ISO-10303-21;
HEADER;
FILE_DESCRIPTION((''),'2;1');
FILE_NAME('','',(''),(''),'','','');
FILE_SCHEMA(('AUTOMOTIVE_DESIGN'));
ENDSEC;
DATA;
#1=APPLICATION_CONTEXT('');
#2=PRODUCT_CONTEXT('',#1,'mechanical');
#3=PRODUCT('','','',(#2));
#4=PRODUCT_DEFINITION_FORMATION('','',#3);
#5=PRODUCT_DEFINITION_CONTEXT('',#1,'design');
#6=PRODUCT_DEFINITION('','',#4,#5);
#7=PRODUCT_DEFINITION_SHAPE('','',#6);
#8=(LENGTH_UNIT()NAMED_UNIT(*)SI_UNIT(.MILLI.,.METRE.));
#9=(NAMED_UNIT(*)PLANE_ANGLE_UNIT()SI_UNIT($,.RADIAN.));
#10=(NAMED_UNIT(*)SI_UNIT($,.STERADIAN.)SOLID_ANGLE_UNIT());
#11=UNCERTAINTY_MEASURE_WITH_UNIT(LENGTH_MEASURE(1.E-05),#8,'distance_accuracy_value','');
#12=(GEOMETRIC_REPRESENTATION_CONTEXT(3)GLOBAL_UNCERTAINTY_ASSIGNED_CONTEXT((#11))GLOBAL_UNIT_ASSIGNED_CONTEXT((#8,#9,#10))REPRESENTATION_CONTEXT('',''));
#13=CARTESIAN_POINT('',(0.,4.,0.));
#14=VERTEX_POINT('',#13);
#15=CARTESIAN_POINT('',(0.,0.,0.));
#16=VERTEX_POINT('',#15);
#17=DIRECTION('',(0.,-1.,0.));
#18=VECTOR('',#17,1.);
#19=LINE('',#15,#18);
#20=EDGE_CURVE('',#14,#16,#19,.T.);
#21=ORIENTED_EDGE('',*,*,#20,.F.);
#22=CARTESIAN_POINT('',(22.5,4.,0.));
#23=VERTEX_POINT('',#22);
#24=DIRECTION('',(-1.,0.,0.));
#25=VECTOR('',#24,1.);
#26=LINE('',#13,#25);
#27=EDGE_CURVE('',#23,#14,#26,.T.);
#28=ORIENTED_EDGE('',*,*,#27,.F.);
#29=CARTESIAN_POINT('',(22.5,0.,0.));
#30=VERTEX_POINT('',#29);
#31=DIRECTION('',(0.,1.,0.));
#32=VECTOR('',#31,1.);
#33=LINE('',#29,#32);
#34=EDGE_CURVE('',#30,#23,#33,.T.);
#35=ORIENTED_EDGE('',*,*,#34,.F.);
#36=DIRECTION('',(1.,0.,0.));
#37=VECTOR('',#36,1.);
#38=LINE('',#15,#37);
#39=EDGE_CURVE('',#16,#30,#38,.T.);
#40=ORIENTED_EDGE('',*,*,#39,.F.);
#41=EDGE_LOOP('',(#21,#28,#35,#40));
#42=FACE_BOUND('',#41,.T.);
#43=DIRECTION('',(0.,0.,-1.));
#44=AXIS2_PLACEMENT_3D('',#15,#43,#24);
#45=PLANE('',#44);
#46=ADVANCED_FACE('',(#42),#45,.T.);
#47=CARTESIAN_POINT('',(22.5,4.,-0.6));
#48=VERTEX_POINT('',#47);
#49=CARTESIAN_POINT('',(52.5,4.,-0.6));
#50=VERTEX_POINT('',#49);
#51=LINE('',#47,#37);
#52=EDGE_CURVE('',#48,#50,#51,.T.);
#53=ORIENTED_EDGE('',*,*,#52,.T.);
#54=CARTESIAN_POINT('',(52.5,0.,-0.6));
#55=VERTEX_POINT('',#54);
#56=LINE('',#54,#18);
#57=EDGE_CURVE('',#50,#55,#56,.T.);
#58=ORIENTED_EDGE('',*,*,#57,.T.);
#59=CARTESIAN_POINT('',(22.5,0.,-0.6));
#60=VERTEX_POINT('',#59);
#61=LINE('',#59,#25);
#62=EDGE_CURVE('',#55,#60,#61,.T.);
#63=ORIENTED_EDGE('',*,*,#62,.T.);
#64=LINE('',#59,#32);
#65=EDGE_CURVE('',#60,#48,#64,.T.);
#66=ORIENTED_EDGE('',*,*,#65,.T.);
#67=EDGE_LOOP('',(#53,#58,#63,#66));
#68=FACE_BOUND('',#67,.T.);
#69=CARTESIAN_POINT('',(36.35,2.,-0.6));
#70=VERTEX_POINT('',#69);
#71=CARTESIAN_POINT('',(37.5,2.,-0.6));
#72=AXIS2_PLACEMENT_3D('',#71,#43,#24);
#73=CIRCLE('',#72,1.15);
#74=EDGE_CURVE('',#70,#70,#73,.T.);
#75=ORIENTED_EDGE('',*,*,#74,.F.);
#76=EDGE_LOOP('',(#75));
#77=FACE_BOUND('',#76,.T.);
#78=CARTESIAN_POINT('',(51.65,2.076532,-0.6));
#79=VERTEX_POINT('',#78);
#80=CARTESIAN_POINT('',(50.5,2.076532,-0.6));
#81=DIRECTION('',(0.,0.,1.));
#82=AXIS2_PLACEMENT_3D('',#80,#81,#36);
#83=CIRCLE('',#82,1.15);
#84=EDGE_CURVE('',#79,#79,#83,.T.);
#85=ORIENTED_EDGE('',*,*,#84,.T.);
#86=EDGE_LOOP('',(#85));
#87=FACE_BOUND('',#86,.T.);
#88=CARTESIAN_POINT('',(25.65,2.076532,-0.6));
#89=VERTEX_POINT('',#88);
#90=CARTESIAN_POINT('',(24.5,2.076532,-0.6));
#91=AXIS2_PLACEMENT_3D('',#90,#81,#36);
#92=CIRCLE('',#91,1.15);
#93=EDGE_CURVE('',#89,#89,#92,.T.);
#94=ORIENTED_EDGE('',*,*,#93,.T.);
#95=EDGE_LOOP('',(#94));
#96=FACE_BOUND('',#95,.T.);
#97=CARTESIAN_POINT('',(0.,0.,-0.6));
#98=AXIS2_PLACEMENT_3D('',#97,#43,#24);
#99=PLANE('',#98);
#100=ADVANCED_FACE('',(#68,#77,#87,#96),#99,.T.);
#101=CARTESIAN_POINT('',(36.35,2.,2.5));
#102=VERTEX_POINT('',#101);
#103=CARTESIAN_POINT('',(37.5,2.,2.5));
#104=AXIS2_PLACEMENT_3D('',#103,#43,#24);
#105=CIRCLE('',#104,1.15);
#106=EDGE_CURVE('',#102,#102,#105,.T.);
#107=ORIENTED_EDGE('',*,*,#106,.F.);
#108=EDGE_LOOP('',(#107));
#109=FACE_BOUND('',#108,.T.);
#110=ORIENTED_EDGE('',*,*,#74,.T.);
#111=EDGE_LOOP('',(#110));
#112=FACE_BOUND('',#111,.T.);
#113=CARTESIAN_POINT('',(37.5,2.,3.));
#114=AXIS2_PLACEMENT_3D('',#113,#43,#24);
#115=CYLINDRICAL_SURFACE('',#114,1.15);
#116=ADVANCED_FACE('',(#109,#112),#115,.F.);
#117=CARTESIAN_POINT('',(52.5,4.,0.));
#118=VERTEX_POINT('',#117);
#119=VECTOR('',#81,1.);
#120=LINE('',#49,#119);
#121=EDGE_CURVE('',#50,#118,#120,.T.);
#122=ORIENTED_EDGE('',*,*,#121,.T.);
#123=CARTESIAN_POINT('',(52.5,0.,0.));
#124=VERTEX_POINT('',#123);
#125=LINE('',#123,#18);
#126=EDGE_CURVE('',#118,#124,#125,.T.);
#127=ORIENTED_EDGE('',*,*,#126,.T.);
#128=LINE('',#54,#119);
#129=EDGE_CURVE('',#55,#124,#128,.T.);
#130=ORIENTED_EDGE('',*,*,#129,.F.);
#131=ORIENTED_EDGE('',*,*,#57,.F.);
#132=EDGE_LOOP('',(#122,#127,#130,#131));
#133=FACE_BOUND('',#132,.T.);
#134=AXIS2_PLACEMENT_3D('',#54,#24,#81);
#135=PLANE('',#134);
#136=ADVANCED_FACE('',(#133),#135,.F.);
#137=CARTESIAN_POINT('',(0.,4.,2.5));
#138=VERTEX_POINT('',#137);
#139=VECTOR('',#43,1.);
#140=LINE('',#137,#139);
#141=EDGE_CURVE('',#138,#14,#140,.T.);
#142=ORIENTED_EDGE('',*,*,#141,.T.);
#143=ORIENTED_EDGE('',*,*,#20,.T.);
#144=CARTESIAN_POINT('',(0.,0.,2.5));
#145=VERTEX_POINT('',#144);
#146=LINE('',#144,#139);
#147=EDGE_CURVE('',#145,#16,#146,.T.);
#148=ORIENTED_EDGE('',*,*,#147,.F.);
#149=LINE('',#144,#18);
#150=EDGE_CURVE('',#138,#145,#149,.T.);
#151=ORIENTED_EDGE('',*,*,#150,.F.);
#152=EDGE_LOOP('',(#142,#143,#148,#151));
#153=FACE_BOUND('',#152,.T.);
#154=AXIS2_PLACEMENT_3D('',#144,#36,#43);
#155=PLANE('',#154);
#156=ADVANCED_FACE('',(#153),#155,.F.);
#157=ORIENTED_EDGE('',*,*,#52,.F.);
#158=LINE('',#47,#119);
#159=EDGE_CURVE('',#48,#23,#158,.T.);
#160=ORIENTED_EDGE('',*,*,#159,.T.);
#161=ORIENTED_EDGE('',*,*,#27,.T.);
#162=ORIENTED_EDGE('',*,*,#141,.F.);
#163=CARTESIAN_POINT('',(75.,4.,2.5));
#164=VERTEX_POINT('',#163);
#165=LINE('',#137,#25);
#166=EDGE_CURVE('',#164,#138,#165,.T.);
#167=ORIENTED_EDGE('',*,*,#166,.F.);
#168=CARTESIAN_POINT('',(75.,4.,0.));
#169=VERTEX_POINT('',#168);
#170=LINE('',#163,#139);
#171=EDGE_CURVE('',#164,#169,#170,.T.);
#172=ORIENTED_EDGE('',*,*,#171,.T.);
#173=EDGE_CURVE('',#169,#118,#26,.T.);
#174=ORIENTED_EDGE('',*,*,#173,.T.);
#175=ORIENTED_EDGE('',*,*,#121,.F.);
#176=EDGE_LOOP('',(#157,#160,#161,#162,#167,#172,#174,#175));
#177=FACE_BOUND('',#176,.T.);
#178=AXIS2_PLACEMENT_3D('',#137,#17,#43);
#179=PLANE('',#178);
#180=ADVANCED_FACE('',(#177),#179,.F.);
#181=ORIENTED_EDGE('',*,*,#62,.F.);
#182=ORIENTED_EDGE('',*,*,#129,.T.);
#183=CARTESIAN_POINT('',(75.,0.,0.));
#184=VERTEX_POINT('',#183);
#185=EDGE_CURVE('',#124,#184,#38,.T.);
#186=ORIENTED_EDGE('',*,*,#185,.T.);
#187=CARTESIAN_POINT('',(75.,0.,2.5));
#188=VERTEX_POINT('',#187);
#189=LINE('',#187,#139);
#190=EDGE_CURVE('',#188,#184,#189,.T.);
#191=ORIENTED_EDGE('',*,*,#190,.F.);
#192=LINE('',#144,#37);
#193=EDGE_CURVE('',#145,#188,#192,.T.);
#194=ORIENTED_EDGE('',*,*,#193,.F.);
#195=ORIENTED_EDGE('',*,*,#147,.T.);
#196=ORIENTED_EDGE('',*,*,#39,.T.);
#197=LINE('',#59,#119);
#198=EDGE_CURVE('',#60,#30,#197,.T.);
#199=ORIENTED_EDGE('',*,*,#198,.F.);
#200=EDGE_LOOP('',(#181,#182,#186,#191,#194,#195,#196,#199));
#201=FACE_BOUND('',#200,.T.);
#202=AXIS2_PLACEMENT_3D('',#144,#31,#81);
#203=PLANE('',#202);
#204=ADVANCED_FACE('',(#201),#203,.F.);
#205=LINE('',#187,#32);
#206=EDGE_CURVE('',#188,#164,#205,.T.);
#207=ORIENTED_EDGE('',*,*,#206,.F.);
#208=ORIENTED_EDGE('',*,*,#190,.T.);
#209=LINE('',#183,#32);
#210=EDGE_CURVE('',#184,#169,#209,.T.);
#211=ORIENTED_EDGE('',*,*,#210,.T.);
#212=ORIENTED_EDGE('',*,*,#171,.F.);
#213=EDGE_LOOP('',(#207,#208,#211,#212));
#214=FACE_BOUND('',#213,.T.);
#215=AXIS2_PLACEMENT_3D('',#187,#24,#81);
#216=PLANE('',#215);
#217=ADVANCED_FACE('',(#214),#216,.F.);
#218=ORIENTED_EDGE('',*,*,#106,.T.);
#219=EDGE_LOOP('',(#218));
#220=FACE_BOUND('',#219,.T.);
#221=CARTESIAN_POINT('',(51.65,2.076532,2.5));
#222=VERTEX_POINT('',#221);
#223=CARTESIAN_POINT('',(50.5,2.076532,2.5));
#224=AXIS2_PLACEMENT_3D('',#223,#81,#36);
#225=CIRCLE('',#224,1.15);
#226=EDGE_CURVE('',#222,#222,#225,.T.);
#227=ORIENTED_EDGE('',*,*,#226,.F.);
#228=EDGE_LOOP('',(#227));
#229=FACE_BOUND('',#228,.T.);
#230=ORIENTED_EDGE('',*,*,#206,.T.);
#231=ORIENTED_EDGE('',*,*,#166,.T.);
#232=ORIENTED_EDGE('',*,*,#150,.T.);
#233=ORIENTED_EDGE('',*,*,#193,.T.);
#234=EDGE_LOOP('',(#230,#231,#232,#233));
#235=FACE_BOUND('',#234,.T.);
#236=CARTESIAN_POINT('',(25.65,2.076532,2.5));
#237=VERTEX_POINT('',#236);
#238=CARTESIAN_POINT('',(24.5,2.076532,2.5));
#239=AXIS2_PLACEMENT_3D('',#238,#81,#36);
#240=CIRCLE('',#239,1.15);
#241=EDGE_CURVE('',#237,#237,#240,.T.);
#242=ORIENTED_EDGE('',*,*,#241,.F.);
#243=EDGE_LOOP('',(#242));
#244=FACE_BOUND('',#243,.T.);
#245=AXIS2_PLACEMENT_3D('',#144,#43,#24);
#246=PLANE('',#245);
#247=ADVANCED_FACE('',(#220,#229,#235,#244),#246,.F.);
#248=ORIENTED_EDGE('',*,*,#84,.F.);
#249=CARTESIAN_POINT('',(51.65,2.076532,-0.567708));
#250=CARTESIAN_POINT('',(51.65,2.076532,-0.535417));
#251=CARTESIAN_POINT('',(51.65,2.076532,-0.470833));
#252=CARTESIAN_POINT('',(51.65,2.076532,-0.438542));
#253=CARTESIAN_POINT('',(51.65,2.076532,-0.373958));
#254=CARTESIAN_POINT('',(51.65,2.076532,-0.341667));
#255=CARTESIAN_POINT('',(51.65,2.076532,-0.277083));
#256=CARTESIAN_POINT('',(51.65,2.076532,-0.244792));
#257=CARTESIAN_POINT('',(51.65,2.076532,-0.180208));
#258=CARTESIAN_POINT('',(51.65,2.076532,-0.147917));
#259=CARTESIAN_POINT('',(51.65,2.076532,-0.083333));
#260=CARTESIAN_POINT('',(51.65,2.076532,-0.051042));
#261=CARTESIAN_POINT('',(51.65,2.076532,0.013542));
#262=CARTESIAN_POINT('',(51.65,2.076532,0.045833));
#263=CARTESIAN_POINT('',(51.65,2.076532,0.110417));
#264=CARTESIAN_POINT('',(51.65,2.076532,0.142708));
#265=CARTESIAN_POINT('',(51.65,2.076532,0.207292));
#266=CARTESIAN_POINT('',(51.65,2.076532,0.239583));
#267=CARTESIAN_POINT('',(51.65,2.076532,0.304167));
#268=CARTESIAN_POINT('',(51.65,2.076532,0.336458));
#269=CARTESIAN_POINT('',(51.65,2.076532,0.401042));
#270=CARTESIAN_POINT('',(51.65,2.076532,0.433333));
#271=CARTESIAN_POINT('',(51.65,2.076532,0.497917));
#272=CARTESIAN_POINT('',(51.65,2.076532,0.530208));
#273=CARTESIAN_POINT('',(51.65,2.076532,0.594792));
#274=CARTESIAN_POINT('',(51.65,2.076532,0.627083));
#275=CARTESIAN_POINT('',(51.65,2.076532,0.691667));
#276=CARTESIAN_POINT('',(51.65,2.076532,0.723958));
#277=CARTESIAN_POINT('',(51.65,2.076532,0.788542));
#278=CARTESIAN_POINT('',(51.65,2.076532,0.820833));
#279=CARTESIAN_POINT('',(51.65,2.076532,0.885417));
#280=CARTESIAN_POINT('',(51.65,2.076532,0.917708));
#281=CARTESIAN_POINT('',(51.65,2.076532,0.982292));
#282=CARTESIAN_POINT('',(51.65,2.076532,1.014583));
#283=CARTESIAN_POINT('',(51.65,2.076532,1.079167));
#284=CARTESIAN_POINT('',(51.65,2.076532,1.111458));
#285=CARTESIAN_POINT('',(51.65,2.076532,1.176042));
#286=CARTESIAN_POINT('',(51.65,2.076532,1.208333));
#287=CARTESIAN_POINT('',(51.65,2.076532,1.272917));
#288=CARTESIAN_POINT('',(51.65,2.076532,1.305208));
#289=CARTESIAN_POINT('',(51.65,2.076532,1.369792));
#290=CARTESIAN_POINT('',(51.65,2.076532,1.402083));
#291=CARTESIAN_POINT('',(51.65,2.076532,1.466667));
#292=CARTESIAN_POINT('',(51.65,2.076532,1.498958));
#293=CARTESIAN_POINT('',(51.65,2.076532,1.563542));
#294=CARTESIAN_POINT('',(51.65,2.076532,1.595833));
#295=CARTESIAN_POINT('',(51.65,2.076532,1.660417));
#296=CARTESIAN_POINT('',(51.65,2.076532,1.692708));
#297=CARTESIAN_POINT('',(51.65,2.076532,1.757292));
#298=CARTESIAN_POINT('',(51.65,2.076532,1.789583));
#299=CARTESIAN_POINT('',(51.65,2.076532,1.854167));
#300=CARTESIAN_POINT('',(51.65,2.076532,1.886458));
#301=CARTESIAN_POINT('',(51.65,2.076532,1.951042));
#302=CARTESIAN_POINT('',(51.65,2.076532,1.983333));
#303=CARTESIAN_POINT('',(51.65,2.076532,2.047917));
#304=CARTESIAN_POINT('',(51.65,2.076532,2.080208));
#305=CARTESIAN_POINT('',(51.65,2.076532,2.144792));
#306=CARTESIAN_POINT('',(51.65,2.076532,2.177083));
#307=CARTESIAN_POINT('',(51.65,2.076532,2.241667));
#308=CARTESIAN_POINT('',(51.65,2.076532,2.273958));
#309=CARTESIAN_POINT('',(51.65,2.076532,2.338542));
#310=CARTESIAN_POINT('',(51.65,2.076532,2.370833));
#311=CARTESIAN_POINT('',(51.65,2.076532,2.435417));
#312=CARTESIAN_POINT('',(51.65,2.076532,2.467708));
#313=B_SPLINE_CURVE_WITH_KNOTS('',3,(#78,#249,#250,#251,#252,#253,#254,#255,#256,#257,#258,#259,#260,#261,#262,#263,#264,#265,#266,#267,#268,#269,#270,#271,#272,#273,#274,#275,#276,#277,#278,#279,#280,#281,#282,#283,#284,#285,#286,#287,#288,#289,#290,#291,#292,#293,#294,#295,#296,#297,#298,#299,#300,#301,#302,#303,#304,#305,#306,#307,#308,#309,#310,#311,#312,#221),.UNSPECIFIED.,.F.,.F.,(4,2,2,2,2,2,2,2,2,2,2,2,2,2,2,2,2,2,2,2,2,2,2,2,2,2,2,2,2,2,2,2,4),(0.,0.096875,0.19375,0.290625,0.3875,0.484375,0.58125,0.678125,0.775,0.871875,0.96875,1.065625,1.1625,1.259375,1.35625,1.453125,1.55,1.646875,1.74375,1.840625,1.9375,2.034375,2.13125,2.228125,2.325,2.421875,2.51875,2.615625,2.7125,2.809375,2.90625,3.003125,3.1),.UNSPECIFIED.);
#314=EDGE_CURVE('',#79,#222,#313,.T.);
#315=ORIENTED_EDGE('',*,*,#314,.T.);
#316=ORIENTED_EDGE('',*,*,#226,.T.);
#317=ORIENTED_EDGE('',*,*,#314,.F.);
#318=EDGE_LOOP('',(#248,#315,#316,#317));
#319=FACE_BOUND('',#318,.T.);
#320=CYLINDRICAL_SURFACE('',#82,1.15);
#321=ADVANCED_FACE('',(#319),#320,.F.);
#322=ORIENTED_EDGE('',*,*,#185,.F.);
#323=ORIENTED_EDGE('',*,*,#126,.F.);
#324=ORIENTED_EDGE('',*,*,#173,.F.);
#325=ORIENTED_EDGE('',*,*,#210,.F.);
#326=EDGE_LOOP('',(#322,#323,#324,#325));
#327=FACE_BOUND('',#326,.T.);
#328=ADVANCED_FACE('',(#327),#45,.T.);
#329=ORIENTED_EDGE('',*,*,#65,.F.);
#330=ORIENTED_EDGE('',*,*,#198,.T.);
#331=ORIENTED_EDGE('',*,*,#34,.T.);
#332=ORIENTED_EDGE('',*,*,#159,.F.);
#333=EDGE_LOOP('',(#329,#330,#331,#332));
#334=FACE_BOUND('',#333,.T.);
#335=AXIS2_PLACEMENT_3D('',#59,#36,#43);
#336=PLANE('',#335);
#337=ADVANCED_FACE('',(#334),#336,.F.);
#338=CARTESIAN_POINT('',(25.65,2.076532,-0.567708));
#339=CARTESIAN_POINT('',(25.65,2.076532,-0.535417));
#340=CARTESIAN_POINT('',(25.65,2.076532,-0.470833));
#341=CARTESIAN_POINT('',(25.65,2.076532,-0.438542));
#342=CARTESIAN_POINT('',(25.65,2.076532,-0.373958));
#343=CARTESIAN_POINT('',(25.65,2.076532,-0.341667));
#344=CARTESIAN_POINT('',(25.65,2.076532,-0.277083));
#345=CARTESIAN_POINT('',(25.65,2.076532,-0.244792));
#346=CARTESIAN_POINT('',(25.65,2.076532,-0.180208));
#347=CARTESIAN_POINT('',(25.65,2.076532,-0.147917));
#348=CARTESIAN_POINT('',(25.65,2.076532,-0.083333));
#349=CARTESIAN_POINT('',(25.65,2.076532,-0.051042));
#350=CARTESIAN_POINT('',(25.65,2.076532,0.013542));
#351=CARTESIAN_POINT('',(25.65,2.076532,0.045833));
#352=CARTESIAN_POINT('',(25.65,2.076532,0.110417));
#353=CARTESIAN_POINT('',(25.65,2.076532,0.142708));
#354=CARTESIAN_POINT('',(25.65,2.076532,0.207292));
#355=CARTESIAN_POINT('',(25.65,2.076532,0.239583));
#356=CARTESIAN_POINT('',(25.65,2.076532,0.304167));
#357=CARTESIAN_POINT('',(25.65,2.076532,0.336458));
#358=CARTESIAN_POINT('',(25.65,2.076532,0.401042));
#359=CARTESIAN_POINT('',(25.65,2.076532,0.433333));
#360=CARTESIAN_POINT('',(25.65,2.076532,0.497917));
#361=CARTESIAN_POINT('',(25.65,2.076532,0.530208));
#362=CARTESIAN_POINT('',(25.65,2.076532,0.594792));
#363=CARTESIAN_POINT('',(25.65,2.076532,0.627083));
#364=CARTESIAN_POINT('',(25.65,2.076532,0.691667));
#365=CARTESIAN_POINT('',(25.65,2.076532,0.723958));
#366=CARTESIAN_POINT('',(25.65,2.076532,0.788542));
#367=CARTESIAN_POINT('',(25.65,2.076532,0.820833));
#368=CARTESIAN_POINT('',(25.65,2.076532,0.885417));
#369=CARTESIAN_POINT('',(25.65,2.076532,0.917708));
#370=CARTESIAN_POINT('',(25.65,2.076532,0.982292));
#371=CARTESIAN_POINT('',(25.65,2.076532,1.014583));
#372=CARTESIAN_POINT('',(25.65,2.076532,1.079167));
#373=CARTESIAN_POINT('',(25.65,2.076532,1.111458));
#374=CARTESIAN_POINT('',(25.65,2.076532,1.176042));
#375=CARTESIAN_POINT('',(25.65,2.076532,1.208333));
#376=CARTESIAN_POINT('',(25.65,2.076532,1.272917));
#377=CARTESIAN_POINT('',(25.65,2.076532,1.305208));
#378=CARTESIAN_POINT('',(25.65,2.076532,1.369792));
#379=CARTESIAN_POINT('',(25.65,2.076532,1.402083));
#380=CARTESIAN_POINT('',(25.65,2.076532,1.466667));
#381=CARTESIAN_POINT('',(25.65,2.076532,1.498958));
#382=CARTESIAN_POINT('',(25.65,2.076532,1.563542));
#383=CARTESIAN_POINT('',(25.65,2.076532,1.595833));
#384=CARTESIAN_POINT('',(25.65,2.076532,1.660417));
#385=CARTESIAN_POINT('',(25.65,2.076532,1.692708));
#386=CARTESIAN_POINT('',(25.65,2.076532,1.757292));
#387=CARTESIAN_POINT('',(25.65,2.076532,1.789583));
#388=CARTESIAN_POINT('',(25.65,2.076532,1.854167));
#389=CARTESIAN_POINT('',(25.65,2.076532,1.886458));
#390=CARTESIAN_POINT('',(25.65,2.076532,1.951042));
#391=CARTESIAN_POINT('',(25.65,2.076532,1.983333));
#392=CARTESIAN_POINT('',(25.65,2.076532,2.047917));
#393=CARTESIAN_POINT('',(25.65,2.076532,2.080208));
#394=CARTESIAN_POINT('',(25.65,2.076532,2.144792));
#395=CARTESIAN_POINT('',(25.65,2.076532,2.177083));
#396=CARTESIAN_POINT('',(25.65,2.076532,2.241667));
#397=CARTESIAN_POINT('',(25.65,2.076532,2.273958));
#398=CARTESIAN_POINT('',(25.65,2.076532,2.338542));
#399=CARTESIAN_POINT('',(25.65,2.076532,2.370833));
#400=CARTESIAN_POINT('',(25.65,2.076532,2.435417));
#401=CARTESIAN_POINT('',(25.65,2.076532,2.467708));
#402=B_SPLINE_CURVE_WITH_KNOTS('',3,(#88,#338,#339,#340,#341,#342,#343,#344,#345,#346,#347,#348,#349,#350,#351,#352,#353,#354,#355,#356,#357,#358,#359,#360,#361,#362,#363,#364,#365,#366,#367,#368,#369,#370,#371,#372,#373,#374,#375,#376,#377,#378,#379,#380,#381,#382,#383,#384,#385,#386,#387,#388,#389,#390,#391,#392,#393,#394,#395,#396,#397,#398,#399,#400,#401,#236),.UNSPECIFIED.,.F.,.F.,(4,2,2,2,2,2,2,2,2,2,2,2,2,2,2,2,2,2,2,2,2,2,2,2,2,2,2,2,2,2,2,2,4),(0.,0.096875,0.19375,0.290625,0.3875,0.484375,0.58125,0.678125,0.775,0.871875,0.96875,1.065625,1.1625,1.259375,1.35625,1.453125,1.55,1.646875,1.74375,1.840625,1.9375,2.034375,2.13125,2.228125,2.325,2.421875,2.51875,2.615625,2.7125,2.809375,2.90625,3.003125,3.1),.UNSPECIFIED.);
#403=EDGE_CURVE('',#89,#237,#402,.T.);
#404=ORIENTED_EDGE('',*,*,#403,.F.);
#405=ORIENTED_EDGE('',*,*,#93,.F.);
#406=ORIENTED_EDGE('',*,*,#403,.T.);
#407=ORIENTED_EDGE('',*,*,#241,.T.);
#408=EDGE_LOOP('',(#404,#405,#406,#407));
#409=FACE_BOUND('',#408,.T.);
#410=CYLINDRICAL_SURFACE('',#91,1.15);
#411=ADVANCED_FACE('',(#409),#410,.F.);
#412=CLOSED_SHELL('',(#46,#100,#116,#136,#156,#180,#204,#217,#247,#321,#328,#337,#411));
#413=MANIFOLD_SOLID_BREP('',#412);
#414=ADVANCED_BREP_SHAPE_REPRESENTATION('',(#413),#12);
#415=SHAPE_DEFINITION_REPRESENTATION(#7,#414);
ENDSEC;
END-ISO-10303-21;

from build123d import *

# Parameters (mm, degrees)
SKETCH1_W           = 75
SKETCH1_H           = 4
BOSS_EXTRUDE1_DEPTH = 2.5
SKETCH2_R           = 1.15
CUT_EXTRUDE1_DEPTH  = 3
SKETCH3_W           = 30
SKETCH3_H           = 4
BOSS_EXTRUDE2_DEPTH = 0.6
SKETCH2_2_R         = 1.15
CUT_EXTRUDE2_DEPTH  = 76.148186938
SKETCH4_R           = 1.15
CUT_EXTRUDE3_DEPTH  = 76.170539442


with BuildPart() as part:
    # Sketch1 → Boss-Extrude1 (new body)
    with BuildSketch(Plane.XY):
        with Locations((37.5, 2)):
            Rectangle(SKETCH1_W, SKETCH1_H)
    extrude(amount=BOSS_EXTRUDE1_DEPTH)

    # Sketch2 → Cut-Extrude1 (cut)
    with BuildSketch(Plane(origin=(0, 0, 0), x_dir=(-1, 0, 0), z_dir=(0, 0, -1))):
        with Locations((-37.5, 2)):
            Circle(SKETCH2_R)
    extrude(amount=-CUT_EXTRUDE1_DEPTH, mode=Mode.SUBTRACT)

    # Sketch3 → Boss-Extrude2 (add)
    with BuildSketch(Plane(origin=(0, 0, 0), x_dir=(-1, 0, 0), z_dir=(0, 0, -1))):
        with Locations((-37.5, 2)):
            Rectangle(SKETCH3_W, SKETCH3_H)
    extrude(amount=BOSS_EXTRUDE2_DEPTH)

    # Sketch2<2> → Cut-Extrude2 (cut, through all)
    with BuildSketch(Plane(origin=(0, 0, 0), x_dir=(-1, 0, 0), z_dir=(0, 0, -1))):
        with Locations((-37.5, 2)):
            Circle(SKETCH2_2_R)
    extrude(amount=CUT_EXTRUDE2_DEPTH, mode=Mode.SUBTRACT)

    # Sketch4 → Cut-Extrude3 (cut, through all)
    with BuildSketch(Plane.XY.offset(2.5)):
        with Locations((24.5, 2.076531631)):
            Circle(SKETCH4_R)
        with Locations((50.5, 2.076531631)):
            Circle(SKETCH4_R)
    extrude(amount=-CUT_EXTRUDE3_DEPTH, mode=Mode.SUBTRACT)


solid = part.part
